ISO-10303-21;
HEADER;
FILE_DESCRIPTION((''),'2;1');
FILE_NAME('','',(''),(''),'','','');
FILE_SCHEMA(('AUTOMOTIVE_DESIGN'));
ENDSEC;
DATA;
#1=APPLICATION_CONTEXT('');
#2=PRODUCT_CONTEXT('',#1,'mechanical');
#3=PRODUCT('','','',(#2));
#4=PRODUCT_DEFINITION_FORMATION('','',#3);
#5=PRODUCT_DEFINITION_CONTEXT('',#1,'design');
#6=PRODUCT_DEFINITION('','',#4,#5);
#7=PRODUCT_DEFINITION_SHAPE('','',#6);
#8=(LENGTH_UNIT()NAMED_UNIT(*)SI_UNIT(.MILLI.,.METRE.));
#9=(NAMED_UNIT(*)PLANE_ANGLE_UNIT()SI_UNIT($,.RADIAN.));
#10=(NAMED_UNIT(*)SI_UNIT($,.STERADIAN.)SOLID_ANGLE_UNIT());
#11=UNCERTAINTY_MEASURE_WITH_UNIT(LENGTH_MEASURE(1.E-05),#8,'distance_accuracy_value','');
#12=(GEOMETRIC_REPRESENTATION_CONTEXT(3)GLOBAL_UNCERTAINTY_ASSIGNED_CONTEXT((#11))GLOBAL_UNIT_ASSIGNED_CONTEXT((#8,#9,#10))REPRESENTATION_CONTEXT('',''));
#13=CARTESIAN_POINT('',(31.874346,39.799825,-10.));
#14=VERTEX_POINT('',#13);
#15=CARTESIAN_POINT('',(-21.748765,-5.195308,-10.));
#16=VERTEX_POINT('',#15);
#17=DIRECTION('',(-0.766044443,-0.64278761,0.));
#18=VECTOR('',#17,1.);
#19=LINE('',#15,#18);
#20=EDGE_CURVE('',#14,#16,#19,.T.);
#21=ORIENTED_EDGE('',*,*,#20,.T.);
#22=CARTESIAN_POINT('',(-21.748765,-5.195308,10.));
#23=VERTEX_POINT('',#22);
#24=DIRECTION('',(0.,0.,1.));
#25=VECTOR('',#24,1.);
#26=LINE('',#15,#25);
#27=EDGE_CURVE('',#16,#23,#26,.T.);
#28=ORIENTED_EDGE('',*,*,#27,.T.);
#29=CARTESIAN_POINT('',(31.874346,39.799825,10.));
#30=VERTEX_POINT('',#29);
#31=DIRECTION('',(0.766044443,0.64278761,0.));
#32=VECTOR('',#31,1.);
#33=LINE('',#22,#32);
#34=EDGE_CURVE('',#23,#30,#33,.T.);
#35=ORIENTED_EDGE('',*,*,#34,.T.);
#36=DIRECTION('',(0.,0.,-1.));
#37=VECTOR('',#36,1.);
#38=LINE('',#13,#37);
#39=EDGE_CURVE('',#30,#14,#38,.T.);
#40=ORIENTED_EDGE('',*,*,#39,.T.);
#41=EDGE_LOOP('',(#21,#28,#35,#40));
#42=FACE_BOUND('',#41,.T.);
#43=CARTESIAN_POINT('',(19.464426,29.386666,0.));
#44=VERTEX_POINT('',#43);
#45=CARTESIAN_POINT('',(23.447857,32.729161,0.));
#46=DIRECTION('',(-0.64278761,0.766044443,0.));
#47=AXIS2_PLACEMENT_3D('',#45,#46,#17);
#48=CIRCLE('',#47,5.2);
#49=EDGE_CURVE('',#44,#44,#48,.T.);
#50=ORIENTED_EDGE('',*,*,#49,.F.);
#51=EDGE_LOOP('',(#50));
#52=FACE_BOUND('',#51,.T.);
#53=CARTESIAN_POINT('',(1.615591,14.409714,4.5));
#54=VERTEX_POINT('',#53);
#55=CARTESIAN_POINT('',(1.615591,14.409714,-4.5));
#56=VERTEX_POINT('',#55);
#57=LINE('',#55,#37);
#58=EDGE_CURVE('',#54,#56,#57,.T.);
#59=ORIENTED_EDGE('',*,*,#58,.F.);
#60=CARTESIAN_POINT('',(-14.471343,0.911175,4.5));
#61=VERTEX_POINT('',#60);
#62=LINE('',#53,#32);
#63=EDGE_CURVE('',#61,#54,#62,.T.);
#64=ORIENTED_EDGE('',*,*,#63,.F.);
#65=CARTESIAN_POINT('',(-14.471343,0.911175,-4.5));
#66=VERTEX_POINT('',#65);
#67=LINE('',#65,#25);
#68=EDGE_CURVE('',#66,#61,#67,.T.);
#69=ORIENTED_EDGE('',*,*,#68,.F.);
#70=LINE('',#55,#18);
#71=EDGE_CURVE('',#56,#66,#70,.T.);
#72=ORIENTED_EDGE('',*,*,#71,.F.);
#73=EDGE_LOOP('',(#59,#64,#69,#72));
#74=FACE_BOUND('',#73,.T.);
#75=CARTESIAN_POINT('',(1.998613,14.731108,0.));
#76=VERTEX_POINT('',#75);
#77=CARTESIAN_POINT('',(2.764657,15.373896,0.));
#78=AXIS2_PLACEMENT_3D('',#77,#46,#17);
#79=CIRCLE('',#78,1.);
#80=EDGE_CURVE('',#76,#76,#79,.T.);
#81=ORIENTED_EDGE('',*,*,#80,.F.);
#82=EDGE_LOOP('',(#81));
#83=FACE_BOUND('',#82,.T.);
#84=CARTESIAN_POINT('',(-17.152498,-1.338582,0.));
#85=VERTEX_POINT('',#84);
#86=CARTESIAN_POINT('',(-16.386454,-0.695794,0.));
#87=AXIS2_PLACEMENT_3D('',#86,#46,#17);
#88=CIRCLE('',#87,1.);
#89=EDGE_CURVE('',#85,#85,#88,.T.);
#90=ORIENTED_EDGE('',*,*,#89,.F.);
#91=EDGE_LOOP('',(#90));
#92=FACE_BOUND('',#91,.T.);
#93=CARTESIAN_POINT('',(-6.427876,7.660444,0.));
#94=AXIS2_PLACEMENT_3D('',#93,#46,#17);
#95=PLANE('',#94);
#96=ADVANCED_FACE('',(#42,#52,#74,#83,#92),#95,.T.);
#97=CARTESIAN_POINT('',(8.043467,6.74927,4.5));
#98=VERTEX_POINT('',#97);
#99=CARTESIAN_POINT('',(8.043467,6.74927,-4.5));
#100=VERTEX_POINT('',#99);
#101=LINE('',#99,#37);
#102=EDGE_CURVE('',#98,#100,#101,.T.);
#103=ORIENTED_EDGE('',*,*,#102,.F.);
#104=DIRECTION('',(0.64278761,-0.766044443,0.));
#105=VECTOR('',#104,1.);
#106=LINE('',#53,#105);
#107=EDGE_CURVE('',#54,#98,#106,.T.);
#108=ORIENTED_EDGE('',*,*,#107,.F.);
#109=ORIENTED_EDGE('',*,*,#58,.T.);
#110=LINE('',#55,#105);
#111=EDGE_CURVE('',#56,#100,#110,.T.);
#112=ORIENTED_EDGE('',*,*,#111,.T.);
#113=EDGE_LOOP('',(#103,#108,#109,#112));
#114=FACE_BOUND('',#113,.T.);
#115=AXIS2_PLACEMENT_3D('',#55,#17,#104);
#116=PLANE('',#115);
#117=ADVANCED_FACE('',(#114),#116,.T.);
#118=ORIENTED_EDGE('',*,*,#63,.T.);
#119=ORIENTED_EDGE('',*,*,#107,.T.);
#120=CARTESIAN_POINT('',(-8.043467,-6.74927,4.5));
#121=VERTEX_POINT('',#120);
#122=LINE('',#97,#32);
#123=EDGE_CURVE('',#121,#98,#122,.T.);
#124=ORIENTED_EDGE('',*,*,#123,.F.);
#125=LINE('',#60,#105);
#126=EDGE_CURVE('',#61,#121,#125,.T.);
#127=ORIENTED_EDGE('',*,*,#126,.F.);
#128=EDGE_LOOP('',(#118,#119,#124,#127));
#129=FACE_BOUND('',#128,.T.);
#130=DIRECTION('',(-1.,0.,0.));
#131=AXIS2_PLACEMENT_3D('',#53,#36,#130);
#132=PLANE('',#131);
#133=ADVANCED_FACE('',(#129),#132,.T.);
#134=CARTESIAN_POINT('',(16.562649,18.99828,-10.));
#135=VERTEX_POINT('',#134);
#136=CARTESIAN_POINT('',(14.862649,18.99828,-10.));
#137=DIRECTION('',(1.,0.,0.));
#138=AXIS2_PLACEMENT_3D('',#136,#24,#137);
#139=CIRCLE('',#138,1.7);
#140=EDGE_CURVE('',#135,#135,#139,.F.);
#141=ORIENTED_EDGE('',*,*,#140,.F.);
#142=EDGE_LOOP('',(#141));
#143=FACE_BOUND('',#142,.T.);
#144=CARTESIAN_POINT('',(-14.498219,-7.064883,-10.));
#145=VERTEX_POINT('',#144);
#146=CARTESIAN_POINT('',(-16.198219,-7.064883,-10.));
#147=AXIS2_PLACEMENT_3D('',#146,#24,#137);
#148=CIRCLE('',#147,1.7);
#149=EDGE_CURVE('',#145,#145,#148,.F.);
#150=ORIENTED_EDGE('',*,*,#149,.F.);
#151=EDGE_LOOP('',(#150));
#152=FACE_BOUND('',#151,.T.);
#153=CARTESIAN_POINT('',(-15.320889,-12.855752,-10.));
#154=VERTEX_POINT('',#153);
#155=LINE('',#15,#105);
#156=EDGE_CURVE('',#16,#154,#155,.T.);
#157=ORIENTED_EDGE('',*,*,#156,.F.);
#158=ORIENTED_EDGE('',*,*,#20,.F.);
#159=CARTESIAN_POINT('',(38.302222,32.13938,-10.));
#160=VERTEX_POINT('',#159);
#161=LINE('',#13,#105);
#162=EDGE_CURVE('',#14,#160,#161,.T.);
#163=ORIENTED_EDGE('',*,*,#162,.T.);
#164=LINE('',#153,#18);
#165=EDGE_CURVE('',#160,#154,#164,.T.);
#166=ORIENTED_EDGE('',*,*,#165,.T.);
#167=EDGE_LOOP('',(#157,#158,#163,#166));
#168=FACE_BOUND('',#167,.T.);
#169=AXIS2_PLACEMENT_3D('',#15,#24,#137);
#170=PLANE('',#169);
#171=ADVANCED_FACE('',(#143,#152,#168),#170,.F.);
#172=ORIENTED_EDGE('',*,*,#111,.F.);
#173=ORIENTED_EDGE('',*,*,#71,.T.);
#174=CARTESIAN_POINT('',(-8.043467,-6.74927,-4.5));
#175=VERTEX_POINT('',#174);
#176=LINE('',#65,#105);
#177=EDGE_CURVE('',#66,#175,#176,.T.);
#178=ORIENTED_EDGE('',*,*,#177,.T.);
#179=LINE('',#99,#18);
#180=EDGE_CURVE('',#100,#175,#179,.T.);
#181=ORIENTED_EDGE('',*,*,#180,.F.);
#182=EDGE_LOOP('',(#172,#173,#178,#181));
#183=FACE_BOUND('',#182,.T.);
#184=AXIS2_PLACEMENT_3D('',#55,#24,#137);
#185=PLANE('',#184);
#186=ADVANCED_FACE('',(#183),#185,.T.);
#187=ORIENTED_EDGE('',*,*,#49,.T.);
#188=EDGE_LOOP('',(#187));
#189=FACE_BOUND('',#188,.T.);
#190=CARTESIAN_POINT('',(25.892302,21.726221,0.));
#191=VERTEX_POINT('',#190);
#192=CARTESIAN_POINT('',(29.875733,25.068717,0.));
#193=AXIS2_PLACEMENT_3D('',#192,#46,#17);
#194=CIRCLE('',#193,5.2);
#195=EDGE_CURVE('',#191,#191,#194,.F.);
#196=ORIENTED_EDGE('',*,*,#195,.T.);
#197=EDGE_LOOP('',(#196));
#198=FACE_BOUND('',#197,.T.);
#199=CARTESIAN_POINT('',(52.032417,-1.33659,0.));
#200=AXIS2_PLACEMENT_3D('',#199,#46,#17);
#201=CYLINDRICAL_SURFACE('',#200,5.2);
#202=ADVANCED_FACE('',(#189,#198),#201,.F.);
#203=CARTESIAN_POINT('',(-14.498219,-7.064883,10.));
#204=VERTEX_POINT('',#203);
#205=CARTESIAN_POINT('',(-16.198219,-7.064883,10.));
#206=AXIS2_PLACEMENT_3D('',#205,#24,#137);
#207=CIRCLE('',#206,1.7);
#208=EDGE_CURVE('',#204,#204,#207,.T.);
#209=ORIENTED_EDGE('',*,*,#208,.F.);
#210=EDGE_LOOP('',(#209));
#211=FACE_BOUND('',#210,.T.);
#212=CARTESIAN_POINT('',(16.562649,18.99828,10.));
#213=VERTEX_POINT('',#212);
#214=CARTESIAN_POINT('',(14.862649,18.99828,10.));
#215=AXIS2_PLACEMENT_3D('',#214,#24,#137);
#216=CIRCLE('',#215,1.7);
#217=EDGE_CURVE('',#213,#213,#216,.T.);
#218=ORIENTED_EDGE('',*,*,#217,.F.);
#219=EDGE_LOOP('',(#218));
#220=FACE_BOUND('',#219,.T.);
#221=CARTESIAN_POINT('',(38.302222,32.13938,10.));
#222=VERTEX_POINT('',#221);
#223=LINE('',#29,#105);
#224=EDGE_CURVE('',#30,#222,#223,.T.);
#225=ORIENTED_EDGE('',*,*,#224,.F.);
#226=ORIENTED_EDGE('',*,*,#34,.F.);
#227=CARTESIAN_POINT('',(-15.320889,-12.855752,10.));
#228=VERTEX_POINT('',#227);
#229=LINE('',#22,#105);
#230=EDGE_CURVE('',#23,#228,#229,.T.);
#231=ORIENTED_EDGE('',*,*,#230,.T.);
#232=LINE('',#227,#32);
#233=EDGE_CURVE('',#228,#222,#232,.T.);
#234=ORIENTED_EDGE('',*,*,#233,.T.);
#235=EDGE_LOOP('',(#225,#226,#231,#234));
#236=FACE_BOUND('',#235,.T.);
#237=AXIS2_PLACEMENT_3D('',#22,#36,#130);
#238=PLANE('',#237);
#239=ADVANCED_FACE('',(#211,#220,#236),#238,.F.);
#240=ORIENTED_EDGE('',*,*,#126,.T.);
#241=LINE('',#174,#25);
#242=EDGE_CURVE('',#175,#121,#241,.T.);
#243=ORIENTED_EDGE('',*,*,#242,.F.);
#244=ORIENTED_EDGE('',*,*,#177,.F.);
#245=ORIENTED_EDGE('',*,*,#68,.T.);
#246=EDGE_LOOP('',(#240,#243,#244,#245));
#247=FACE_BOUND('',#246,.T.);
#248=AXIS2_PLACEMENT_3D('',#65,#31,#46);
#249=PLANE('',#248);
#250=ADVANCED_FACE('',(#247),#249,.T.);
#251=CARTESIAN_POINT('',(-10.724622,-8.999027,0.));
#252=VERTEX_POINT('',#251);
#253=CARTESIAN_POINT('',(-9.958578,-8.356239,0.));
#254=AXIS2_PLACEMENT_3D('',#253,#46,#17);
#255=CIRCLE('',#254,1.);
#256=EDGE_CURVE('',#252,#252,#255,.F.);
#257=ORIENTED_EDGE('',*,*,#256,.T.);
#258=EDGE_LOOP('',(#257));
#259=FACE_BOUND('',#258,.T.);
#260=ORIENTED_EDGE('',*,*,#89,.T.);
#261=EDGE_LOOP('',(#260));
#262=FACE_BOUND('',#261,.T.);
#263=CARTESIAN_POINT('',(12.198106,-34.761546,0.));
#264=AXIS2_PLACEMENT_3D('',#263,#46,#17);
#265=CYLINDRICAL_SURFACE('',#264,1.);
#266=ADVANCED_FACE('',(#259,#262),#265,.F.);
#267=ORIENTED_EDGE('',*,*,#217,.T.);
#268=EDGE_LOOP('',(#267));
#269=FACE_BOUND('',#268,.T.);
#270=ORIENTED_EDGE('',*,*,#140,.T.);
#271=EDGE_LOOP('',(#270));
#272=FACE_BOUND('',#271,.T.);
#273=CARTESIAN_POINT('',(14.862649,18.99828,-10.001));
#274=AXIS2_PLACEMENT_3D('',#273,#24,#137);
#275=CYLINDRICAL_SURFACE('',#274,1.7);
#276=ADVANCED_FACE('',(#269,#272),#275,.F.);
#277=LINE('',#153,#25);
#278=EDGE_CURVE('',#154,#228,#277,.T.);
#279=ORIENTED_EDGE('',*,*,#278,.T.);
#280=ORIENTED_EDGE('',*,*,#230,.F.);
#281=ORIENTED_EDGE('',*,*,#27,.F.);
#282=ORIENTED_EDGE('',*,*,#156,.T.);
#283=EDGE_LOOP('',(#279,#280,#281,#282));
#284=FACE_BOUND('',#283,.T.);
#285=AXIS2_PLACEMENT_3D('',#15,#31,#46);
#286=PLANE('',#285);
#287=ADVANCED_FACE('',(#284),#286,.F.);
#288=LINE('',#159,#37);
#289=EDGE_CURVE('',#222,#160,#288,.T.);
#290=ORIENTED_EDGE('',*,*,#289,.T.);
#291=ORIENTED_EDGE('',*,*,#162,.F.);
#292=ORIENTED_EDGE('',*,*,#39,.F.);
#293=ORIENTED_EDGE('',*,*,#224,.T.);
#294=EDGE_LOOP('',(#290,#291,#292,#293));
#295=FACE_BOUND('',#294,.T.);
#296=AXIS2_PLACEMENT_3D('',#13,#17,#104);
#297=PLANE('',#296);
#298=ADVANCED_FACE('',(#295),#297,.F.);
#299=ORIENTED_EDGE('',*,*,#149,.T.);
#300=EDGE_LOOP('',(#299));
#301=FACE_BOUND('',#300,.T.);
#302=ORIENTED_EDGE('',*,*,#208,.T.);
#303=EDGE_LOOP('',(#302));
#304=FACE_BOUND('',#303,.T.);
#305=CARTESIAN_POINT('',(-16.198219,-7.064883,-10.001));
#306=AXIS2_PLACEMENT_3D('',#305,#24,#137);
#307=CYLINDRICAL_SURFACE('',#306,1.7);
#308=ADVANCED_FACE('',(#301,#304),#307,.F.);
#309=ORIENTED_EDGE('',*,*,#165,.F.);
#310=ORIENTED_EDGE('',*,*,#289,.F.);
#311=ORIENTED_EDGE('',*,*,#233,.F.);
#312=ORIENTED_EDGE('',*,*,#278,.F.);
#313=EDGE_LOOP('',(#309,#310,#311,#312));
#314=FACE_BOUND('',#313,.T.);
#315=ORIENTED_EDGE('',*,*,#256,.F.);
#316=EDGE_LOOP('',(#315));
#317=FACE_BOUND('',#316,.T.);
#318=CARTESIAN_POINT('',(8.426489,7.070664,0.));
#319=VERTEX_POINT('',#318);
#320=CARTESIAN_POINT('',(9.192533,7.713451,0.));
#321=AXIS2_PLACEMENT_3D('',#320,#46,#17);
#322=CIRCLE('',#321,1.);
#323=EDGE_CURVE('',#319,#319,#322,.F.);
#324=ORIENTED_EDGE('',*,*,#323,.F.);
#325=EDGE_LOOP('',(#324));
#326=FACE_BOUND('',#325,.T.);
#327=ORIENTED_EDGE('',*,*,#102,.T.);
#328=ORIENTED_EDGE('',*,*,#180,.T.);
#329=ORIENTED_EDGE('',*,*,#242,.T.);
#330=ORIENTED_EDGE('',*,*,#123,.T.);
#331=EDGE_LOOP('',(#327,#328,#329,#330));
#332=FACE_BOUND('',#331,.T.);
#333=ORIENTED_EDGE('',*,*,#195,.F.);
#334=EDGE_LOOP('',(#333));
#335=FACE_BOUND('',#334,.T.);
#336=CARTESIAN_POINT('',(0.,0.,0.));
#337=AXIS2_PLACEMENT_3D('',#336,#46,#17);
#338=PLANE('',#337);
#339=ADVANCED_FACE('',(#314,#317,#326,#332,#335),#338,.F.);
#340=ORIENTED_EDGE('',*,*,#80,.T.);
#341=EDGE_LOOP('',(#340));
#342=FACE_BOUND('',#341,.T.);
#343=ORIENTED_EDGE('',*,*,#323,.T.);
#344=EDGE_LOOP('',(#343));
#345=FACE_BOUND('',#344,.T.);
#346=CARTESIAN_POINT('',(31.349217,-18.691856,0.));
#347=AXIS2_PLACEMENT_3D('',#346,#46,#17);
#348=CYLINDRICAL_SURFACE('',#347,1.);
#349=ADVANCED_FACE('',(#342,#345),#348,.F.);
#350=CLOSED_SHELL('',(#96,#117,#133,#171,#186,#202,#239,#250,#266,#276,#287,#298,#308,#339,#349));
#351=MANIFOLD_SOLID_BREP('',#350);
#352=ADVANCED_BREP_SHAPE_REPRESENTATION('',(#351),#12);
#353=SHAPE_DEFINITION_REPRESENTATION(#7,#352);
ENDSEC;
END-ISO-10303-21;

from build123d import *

# Parameters (mm, degrees)
SKETCH_1_W          = 70
SKETCH_1_H          = 20
SKETCH_1_W_2        = 21
SKETCH_1_H_2        = 9
EXTRUDE_1_DEPTH     = 10
CUT_EXTRUDE_1_REACH = 57.98
SKETCH_3_R          = 5.2
SKETCH_3_R_2        = 1
CUT_EXTRUDE_2_REACH = 60.746
SKETCH_4_R          = 1.7


with BuildPart() as part:
    # 草图1 → 凸台-拉伸1 (new body)
    with BuildSketch(Plane(origin=(0, 0, 0), x_dir=(0.7660444431189771, 0.6427876096865406, 0), z_dir=(-0.6427876096865406, 0.7660444431189771, 0))):
        with Locations((15, 0)):
            Rectangle(SKETCH_1_W, SKETCH_1_H)
        Rectangle(SKETCH_1_W_2, SKETCH_1_H_2, mode=Mode.SUBTRACT)
    extrude(amount=EXTRUDE_1_DEPTH)

    # 草图3 → 切除-拉伸1 (cut, up to next)
    with BuildSketch(Plane(origin=(-6.427876097, 7.660444431, 0), x_dir=(0.7660444431189771, 0.6427876096865406, 0), z_dir=(-0.6427876096865405, 0.766044443118977, 0)), mode=Mode.PRIVATE) as cut_extrude_1_sk1:
        with Locations((39, 0)):
            Circle(SKETCH_3_R)
    cut_extrude_1_tool1 = extrude(cut_extrude_1_sk1.sketch, amount=-CUT_EXTRUDE_1_REACH, mode=Mode.PRIVATE) & part.part
    # 草图3 → 切除-拉伸1 (cut, up to next)
    with BuildSketch(Plane(origin=(-6.427876097, 7.660444431, 0), x_dir=(0.7660444431189771, 0.6427876096865406, 0), z_dir=(-0.6427876096865405, 0.766044443118977, 0)), mode=Mode.PRIVATE) as cut_extrude_1_sk2:
        with Locations((-13, 0)):
            Circle(SKETCH_3_R_2)
    cut_extrude_1_tool2 = extrude(cut_extrude_1_sk2.sketch, amount=-CUT_EXTRUDE_1_REACH, mode=Mode.PRIVATE) & part.part
    # 草图3 → 切除-拉伸1 (cut, up to next)
    with BuildSketch(Plane(origin=(-6.427876097, 7.660444431, 0), x_dir=(0.7660444431189771, 0.6427876096865406, 0), z_dir=(-0.6427876096865405, 0.766044443118977, 0)), mode=Mode.PRIVATE) as cut_extrude_1_sk3:
        with Locations((12, 0)):
            Circle(SKETCH_3_R_2)
    cut_extrude_1_tool3 = extrude(cut_extrude_1_sk3.sketch, amount=-CUT_EXTRUDE_1_REACH, mode=Mode.PRIVATE) & part.part
    add(cut_extrude_1_tool1.solids().sort_by_distance((23.447857, 32.729161, 0))[0], mode=Mode.SUBTRACT)
    add(cut_extrude_1_tool2.solids().sort_by_distance((-16.386454, -0.695794, 0))[0], mode=Mode.SUBTRACT)
    add(cut_extrude_1_tool3.solids().sort_by_distance((2.764657, 15.373896, 0))[0], mode=Mode.SUBTRACT)

    # 草图4 → 切除-拉伸2 (cut, up to next)
    with BuildSketch(Plane.XY.offset(10), mode=Mode.PRIVATE) as cut_extrude_2_sk1:
        with Locations((-16.198218668, -7.064882864)):
            Circle(SKETCH_4_R)
    cut_extrude_2_tool1 = extrude(cut_extrude_2_sk1.sketch, amount=-CUT_EXTRUDE_2_REACH, mode=Mode.PRIVATE) & part.part
    # 草图4 → 切除-拉伸2 (cut, up to next)
    with BuildSketch(Plane.XY.offset(10), mode=Mode.PRIVATE) as cut_extrude_2_sk2:
        with Locations((14.862649296, 18.998279989)):
            Circle(SKETCH_4_R)
    cut_extrude_2_tool2 = extrude(cut_extrude_2_sk2.sketch, amount=-CUT_EXTRUDE_2_REACH, mode=Mode.PRIVATE) & part.part
    add(cut_extrude_2_tool1.solids().sort_by_distance((-16.198219, -7.064883, 10))[0], mode=Mode.SUBTRACT)
    add(cut_extrude_2_tool2.solids().sort_by_distance((14.862649, 18.99828, 10))[0], mode=Mode.SUBTRACT)


solid = part.part
